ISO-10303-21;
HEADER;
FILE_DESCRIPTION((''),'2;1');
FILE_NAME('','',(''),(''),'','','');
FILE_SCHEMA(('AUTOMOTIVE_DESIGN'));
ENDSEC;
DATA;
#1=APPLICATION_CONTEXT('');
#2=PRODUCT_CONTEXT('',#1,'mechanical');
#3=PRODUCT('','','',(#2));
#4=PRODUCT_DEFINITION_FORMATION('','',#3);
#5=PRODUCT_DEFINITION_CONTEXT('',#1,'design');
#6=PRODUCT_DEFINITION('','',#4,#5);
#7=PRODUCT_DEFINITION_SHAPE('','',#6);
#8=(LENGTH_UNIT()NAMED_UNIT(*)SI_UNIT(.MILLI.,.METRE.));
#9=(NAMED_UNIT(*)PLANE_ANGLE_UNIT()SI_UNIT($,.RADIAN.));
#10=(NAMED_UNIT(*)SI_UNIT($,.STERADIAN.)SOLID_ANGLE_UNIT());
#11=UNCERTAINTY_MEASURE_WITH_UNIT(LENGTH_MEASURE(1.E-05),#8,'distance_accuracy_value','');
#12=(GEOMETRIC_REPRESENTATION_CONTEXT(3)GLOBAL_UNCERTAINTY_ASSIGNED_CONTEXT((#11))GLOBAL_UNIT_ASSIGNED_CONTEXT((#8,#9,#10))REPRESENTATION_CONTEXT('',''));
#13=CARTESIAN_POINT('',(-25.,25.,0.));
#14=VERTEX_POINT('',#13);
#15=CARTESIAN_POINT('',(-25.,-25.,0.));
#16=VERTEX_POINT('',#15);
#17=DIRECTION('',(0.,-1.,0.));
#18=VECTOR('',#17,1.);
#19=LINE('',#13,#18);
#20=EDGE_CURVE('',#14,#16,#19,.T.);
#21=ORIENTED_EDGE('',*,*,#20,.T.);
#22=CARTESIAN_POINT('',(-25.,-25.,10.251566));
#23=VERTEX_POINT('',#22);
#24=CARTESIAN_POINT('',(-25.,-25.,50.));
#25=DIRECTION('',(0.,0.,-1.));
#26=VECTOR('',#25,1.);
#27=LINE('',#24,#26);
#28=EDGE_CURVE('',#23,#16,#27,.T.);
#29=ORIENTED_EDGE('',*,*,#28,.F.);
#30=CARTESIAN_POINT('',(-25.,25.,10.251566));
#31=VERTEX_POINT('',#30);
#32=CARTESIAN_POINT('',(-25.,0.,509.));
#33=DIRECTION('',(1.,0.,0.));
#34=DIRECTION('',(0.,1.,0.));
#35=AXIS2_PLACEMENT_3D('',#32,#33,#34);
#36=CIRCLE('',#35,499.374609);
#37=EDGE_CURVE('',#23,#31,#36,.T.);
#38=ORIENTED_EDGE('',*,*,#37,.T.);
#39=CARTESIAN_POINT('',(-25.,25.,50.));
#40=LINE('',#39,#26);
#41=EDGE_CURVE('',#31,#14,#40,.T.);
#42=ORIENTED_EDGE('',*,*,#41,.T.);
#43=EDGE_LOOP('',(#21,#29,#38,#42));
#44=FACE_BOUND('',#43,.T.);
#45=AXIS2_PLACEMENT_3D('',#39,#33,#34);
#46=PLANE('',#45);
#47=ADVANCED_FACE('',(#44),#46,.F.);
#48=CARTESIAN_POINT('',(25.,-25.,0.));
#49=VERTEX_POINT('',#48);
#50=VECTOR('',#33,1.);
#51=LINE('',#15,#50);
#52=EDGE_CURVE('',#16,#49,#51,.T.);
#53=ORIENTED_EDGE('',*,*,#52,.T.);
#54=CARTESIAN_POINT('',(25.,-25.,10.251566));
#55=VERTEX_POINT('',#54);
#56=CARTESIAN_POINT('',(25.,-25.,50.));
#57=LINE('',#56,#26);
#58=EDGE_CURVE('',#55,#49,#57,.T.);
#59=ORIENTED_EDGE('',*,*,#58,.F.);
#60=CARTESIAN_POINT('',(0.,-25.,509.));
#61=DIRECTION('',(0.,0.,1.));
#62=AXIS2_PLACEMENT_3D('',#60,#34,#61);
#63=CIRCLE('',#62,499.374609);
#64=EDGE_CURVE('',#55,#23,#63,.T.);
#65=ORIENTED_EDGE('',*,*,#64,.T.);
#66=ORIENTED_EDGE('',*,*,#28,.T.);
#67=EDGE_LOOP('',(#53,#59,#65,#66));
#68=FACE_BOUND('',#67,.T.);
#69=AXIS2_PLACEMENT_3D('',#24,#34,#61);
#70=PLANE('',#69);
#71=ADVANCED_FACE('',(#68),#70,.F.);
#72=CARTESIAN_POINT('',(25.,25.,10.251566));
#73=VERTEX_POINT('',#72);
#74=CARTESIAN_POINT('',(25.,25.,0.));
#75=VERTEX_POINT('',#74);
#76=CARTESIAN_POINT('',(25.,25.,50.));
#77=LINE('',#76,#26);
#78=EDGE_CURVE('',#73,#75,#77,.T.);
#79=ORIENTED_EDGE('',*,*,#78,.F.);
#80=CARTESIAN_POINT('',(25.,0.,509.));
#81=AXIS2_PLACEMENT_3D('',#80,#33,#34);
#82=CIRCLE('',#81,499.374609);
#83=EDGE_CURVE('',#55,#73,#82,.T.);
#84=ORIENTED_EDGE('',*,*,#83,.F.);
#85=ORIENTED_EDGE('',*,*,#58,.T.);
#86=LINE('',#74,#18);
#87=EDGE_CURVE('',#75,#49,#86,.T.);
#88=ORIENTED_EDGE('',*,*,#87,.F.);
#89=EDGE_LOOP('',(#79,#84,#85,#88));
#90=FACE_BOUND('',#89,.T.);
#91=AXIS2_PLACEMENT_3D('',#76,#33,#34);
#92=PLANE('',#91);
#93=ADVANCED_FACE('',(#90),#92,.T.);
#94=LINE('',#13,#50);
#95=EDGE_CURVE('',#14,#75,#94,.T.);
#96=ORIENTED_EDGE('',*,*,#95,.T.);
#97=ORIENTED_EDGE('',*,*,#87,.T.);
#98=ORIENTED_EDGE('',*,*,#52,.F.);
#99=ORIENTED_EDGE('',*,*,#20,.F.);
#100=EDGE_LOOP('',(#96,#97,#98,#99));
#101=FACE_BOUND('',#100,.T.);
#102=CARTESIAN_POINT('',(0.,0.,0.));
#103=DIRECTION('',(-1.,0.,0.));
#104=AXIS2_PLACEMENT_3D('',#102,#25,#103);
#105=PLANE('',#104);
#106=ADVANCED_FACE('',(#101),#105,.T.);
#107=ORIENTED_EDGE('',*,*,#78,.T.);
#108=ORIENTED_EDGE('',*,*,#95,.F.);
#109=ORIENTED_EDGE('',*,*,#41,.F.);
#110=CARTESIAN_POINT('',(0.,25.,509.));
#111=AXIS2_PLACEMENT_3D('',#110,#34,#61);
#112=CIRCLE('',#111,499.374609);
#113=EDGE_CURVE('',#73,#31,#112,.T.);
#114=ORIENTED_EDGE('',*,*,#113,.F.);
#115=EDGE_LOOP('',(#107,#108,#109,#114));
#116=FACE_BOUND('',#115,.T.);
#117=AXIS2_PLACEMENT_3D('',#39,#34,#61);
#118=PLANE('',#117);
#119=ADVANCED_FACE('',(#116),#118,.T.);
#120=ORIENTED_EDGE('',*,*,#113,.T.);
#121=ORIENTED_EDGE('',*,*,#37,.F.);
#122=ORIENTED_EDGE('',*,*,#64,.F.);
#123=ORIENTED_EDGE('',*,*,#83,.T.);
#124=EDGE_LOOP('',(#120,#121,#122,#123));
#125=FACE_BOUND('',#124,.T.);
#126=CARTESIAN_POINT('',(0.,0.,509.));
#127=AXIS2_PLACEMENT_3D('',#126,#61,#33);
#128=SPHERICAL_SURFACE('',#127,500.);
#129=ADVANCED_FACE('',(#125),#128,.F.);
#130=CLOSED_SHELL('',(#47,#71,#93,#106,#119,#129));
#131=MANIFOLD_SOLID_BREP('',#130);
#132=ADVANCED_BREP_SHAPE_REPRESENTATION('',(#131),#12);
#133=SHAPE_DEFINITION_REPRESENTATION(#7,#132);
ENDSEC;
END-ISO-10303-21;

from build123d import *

# Parameters (mm, degrees)
SKETCH_1_W      = 50
SKETCH_1_H      = 50
EXTRUDE_1_DEPTH = 50


with BuildPart() as part:
    # 草图1 → 凸台-拉伸1 (new body)
    with BuildSketch(Plane.XY):
        Rectangle(SKETCH_1_W, SKETCH_1_H)
    extrude(amount=EXTRUDE_1_DEPTH)

    # 草图2 → 切除-旋转2 (revolve, cut)
    with BuildSketch(Plane(origin=(0, 0, 0), x_dir=(1, 0, 0), z_dir=(0, 1, 0))):
        with BuildLine():
            Line((487.422730906, -397.559067683), (0, -397.559067683))
            Line((0, -397.559067683), (0, -9))
            ThreePointArc((0, -9), (311.672531547, -118.026557067), (487.422730906, -397.559067683))
        make_face()
    revolve(axis=Axis((0, 0, 397.559067683), (0, 0, -1)), mode=Mode.SUBTRACT)


solid = part.part
